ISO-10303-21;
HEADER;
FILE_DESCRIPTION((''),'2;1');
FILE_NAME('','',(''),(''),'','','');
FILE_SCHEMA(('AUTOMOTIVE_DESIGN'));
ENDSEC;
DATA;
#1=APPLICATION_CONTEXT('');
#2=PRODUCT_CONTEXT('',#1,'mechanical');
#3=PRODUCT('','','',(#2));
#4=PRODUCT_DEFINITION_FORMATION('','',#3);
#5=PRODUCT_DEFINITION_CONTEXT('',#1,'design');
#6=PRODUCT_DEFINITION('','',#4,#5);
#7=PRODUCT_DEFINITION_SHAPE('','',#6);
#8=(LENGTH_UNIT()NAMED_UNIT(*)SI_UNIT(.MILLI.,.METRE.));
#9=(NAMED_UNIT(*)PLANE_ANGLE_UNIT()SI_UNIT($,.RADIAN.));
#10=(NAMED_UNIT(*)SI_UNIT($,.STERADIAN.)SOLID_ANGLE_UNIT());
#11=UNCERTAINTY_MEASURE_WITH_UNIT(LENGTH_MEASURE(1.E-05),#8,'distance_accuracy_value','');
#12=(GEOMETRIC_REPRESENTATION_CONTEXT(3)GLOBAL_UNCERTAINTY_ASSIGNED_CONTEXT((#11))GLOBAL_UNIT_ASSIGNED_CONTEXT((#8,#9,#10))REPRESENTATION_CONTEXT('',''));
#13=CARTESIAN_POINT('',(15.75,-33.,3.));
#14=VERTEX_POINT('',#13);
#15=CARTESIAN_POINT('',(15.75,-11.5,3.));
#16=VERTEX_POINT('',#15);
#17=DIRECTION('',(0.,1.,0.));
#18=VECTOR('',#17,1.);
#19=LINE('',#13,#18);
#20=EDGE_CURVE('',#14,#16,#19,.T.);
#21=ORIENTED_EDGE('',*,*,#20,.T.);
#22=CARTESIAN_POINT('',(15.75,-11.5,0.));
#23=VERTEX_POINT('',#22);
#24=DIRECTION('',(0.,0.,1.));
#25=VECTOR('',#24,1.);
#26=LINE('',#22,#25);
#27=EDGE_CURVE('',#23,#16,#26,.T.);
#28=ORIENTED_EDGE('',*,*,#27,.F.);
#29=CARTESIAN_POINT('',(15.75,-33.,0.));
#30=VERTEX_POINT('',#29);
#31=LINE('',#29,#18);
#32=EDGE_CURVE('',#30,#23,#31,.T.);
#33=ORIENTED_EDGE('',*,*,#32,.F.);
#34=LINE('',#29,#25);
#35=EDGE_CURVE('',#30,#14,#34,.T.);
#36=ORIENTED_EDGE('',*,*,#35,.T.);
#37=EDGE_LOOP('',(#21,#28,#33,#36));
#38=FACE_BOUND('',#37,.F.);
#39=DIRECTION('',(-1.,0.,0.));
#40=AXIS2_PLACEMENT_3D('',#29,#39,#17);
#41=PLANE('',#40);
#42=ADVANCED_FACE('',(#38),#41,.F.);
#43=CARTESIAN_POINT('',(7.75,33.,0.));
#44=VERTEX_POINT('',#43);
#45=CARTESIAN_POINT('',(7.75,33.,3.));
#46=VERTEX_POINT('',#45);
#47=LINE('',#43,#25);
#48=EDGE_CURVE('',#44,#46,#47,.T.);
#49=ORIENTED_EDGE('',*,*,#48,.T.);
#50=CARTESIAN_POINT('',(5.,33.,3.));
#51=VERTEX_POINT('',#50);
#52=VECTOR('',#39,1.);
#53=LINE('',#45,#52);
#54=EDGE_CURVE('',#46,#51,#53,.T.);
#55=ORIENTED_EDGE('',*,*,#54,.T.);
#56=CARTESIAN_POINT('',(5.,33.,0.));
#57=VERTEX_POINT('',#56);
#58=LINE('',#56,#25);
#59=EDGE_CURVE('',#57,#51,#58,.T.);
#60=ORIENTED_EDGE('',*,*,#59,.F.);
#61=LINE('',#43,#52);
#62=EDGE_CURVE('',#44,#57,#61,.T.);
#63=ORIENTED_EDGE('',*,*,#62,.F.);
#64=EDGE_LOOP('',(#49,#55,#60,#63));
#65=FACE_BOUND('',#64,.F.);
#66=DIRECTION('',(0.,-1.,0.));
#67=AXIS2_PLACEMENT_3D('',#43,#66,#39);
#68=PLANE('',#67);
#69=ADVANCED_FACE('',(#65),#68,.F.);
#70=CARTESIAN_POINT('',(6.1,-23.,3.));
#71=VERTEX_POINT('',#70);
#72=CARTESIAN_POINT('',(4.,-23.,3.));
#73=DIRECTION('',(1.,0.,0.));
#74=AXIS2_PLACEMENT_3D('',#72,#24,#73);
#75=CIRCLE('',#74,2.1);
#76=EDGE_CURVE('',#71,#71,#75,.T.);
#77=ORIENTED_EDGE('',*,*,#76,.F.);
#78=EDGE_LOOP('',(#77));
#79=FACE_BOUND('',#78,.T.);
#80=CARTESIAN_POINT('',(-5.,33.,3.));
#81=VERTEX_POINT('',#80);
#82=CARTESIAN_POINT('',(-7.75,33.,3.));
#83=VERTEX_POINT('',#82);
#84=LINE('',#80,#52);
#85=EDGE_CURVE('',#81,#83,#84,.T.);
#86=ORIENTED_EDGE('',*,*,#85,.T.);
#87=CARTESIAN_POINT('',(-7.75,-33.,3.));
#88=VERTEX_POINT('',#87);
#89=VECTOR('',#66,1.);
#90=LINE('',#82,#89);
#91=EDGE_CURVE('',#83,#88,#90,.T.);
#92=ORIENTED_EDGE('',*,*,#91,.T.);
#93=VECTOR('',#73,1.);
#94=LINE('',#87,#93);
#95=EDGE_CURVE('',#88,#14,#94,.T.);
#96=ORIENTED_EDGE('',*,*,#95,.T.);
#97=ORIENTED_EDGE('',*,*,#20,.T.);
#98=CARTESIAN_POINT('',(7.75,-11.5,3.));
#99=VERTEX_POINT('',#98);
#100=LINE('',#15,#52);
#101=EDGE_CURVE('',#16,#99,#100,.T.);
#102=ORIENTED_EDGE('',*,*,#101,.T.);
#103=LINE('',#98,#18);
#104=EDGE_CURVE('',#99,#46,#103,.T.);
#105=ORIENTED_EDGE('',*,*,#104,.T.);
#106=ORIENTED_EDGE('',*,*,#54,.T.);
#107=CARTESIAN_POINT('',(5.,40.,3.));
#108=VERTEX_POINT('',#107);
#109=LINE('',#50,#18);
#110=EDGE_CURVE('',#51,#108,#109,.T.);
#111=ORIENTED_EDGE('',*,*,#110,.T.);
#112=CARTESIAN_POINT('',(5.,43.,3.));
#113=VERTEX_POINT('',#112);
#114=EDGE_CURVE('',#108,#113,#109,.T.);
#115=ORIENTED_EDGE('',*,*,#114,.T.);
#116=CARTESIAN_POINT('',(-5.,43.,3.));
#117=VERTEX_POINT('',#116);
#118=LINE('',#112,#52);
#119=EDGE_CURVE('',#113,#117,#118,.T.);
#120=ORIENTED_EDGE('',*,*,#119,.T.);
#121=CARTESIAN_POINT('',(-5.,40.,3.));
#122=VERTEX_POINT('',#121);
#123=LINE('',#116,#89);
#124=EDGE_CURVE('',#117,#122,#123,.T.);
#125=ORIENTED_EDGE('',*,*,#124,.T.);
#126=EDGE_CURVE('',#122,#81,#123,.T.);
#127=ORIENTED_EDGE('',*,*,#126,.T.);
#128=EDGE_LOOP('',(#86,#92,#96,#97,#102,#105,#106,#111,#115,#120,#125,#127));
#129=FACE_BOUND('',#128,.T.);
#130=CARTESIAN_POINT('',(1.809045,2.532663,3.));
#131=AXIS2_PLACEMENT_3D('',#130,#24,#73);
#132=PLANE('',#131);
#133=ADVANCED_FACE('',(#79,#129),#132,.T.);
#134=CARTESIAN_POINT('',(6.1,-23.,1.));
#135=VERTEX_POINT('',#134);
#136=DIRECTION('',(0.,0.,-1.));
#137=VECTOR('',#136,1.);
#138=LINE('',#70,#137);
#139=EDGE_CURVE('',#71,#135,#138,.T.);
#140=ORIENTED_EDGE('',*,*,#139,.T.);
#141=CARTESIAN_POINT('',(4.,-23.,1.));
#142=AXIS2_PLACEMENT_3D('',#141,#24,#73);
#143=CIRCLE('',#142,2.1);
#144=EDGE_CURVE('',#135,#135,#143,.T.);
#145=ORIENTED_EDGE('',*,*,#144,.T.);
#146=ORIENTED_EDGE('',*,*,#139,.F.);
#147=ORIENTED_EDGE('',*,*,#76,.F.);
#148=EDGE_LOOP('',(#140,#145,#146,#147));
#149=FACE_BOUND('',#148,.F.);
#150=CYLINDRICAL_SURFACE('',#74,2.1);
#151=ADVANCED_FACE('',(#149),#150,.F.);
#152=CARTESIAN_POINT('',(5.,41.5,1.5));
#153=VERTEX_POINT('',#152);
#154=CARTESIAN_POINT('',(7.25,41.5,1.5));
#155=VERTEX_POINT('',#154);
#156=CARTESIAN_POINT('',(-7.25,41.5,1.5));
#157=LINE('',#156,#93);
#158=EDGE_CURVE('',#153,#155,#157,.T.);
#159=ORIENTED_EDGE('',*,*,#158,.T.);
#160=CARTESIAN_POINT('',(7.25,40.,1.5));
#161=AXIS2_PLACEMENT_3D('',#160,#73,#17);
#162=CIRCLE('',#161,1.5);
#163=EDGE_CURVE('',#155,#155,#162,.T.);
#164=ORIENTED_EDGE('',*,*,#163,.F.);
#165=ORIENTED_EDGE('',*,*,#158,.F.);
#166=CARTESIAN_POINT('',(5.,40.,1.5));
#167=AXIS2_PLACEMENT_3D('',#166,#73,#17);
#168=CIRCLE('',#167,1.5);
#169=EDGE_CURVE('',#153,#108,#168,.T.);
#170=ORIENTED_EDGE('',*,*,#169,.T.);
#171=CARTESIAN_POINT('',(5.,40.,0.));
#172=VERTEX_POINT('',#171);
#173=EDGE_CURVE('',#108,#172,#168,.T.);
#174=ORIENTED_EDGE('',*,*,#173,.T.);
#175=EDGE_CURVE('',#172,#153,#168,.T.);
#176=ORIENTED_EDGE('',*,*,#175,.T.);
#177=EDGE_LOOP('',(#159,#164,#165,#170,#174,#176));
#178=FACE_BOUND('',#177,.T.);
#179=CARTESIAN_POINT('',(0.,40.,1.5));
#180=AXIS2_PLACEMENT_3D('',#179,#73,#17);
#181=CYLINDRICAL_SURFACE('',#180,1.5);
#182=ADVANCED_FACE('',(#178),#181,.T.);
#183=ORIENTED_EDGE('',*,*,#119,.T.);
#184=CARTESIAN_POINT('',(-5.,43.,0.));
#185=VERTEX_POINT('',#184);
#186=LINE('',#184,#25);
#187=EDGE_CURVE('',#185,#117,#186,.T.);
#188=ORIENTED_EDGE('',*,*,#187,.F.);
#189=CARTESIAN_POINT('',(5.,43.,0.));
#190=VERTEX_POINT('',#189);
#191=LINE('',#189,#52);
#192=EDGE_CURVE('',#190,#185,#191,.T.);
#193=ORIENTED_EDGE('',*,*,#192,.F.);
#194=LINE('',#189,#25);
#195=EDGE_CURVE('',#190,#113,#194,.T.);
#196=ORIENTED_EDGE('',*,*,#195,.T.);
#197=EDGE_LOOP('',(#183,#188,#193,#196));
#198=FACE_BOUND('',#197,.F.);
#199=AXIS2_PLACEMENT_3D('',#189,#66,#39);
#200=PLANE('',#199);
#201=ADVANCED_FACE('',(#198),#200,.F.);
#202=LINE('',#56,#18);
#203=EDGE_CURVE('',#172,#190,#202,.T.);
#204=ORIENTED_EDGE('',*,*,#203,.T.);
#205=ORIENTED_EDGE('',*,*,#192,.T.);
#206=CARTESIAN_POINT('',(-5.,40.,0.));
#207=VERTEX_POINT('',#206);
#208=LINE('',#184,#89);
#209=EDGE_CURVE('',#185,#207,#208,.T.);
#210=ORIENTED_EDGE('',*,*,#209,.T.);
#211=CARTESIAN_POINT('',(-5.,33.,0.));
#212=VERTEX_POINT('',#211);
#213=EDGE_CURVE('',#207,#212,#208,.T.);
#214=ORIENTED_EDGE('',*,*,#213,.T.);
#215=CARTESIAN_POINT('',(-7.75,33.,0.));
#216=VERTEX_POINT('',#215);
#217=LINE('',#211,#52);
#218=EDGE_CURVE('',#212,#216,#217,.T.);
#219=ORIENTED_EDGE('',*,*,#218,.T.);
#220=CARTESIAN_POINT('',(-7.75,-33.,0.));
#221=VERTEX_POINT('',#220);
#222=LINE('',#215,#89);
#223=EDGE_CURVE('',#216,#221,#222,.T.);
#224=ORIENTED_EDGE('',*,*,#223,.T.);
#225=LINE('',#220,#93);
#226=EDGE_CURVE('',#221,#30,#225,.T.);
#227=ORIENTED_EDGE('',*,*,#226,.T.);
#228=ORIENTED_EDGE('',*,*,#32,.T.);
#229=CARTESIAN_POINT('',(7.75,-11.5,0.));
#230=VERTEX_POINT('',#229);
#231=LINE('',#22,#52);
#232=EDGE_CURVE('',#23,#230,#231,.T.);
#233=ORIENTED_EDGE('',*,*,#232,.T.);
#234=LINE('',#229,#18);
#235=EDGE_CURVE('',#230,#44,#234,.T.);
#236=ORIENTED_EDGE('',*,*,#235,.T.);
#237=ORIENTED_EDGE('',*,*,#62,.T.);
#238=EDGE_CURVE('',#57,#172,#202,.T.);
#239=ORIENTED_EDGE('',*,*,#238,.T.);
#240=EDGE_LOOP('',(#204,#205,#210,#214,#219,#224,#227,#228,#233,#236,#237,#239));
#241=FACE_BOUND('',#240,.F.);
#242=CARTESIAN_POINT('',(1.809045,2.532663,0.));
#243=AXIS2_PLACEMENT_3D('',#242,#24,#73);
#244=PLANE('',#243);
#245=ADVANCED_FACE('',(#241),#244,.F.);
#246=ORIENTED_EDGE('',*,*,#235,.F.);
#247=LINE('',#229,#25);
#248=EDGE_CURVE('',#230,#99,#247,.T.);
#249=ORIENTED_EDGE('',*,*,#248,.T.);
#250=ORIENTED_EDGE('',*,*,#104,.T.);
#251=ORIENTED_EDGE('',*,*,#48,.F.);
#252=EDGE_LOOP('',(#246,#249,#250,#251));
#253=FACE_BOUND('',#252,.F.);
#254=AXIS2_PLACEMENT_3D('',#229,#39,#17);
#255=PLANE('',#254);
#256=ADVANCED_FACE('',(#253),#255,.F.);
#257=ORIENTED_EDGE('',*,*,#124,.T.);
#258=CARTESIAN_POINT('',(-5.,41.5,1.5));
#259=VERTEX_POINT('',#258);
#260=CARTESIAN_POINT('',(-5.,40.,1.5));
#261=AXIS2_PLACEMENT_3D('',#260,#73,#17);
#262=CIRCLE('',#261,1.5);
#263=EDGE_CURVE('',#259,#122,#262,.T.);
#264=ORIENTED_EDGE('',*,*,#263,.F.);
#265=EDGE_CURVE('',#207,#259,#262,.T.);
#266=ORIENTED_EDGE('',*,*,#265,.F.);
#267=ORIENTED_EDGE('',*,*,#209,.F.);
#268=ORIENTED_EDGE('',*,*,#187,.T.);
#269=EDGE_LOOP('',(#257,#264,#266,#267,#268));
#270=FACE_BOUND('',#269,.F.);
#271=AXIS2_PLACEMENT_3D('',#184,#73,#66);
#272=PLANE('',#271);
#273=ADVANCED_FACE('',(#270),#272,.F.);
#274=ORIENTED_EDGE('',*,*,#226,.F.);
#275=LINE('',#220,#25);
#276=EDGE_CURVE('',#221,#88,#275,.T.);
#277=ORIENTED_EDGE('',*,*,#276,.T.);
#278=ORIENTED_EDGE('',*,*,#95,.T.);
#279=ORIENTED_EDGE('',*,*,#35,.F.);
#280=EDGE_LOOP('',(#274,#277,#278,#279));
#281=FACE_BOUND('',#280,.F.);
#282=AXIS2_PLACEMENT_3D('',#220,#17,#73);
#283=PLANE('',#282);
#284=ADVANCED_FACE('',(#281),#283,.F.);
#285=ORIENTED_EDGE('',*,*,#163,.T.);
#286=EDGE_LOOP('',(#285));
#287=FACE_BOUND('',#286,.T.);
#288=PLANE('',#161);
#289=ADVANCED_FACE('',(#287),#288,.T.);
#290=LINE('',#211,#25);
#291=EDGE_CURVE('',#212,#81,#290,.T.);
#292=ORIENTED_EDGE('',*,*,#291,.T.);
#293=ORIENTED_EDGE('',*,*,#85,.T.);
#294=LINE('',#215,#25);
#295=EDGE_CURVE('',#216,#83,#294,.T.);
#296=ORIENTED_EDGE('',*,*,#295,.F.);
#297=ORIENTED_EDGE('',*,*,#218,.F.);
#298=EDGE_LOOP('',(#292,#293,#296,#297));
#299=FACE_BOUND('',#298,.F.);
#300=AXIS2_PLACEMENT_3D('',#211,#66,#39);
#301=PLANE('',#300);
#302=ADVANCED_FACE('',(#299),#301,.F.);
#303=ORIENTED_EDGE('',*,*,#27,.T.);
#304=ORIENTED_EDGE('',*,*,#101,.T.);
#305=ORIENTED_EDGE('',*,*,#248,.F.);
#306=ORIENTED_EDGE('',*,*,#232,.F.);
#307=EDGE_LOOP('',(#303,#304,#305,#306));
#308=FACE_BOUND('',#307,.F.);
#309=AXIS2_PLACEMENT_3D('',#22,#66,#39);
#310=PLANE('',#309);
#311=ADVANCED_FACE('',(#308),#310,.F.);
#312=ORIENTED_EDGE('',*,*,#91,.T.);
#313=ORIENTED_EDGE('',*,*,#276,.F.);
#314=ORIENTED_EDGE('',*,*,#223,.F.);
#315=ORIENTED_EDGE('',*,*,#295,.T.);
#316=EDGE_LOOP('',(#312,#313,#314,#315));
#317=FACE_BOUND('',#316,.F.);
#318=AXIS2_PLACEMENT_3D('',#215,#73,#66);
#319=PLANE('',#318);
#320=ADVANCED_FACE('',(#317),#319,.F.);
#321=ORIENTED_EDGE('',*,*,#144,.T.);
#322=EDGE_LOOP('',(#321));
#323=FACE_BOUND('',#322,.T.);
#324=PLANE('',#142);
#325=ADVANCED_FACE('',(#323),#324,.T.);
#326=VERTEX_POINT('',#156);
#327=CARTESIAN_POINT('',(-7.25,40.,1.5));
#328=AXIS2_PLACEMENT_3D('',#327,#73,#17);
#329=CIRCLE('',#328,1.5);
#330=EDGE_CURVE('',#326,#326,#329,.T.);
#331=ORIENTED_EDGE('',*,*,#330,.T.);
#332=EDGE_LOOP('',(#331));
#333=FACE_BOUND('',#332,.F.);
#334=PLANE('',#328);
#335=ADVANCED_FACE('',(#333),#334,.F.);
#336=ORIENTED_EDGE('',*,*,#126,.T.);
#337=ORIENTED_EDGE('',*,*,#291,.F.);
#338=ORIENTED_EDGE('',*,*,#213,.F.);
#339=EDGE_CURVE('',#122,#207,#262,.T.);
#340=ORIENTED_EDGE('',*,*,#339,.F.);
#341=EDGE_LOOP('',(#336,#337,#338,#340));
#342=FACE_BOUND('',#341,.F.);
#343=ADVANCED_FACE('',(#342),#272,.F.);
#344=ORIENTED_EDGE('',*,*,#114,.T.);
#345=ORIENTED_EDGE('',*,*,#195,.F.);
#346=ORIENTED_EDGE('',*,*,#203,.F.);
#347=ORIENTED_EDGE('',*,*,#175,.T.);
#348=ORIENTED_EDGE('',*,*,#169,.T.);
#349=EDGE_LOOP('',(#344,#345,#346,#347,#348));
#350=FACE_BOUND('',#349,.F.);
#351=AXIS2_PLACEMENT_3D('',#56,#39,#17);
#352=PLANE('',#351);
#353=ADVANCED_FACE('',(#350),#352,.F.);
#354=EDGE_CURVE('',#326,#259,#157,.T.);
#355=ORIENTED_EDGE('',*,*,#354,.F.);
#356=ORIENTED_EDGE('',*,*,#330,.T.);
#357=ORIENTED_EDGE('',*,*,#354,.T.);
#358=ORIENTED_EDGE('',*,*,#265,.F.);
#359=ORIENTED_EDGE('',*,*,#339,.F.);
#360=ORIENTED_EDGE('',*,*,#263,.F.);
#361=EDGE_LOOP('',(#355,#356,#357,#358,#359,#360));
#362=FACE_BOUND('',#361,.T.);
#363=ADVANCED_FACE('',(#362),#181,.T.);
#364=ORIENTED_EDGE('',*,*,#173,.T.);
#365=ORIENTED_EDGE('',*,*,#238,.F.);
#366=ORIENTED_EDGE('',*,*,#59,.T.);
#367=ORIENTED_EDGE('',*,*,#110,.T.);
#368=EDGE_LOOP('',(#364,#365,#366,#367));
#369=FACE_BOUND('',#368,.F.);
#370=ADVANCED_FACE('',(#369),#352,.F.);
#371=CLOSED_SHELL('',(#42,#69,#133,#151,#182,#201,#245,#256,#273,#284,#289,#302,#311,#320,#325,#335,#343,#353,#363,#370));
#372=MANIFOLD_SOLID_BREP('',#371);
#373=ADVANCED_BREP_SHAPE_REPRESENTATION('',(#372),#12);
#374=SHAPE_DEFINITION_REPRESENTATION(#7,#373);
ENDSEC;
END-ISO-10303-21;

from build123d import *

# Parameters (mm, degrees)
PAD_DEPTH    = 3
SKETCH001_R  = 1.5
PAD001_DEPTH = 7.25
SKETCH002_R  = 2.1
POCKET_DEPTH = 2


with BuildPart() as part:
    # Sketch → Pad (new body)
    with BuildSketch(Plane.XY):
        Polygon((-7.75, 33), (-7.75, -33), (15.75, -33), (15.75, -11.5), (7.75, -11.5), (7.75, 33), (5, 33), (5, 43), (-5, 43), (-5, 33), align=None)
    extrude(amount=PAD_DEPTH)

    # Sketch001 → Pad001 (join, symmetric)
    with BuildSketch(Plane.YZ):
        with Locations((40, 1.5)):
            Circle(SKETCH001_R)
    extrude(amount=PAD001_DEPTH, both=True)

    # Sketch002 (on Face5 of Pad001) → Pocket (cut)
    with BuildSketch(Plane.XY.offset(3)):
        with Locations((4, -23)):
            Circle(SKETCH002_R)
    extrude(amount=-POCKET_DEPTH, mode=Mode.SUBTRACT)


solid = part.part
